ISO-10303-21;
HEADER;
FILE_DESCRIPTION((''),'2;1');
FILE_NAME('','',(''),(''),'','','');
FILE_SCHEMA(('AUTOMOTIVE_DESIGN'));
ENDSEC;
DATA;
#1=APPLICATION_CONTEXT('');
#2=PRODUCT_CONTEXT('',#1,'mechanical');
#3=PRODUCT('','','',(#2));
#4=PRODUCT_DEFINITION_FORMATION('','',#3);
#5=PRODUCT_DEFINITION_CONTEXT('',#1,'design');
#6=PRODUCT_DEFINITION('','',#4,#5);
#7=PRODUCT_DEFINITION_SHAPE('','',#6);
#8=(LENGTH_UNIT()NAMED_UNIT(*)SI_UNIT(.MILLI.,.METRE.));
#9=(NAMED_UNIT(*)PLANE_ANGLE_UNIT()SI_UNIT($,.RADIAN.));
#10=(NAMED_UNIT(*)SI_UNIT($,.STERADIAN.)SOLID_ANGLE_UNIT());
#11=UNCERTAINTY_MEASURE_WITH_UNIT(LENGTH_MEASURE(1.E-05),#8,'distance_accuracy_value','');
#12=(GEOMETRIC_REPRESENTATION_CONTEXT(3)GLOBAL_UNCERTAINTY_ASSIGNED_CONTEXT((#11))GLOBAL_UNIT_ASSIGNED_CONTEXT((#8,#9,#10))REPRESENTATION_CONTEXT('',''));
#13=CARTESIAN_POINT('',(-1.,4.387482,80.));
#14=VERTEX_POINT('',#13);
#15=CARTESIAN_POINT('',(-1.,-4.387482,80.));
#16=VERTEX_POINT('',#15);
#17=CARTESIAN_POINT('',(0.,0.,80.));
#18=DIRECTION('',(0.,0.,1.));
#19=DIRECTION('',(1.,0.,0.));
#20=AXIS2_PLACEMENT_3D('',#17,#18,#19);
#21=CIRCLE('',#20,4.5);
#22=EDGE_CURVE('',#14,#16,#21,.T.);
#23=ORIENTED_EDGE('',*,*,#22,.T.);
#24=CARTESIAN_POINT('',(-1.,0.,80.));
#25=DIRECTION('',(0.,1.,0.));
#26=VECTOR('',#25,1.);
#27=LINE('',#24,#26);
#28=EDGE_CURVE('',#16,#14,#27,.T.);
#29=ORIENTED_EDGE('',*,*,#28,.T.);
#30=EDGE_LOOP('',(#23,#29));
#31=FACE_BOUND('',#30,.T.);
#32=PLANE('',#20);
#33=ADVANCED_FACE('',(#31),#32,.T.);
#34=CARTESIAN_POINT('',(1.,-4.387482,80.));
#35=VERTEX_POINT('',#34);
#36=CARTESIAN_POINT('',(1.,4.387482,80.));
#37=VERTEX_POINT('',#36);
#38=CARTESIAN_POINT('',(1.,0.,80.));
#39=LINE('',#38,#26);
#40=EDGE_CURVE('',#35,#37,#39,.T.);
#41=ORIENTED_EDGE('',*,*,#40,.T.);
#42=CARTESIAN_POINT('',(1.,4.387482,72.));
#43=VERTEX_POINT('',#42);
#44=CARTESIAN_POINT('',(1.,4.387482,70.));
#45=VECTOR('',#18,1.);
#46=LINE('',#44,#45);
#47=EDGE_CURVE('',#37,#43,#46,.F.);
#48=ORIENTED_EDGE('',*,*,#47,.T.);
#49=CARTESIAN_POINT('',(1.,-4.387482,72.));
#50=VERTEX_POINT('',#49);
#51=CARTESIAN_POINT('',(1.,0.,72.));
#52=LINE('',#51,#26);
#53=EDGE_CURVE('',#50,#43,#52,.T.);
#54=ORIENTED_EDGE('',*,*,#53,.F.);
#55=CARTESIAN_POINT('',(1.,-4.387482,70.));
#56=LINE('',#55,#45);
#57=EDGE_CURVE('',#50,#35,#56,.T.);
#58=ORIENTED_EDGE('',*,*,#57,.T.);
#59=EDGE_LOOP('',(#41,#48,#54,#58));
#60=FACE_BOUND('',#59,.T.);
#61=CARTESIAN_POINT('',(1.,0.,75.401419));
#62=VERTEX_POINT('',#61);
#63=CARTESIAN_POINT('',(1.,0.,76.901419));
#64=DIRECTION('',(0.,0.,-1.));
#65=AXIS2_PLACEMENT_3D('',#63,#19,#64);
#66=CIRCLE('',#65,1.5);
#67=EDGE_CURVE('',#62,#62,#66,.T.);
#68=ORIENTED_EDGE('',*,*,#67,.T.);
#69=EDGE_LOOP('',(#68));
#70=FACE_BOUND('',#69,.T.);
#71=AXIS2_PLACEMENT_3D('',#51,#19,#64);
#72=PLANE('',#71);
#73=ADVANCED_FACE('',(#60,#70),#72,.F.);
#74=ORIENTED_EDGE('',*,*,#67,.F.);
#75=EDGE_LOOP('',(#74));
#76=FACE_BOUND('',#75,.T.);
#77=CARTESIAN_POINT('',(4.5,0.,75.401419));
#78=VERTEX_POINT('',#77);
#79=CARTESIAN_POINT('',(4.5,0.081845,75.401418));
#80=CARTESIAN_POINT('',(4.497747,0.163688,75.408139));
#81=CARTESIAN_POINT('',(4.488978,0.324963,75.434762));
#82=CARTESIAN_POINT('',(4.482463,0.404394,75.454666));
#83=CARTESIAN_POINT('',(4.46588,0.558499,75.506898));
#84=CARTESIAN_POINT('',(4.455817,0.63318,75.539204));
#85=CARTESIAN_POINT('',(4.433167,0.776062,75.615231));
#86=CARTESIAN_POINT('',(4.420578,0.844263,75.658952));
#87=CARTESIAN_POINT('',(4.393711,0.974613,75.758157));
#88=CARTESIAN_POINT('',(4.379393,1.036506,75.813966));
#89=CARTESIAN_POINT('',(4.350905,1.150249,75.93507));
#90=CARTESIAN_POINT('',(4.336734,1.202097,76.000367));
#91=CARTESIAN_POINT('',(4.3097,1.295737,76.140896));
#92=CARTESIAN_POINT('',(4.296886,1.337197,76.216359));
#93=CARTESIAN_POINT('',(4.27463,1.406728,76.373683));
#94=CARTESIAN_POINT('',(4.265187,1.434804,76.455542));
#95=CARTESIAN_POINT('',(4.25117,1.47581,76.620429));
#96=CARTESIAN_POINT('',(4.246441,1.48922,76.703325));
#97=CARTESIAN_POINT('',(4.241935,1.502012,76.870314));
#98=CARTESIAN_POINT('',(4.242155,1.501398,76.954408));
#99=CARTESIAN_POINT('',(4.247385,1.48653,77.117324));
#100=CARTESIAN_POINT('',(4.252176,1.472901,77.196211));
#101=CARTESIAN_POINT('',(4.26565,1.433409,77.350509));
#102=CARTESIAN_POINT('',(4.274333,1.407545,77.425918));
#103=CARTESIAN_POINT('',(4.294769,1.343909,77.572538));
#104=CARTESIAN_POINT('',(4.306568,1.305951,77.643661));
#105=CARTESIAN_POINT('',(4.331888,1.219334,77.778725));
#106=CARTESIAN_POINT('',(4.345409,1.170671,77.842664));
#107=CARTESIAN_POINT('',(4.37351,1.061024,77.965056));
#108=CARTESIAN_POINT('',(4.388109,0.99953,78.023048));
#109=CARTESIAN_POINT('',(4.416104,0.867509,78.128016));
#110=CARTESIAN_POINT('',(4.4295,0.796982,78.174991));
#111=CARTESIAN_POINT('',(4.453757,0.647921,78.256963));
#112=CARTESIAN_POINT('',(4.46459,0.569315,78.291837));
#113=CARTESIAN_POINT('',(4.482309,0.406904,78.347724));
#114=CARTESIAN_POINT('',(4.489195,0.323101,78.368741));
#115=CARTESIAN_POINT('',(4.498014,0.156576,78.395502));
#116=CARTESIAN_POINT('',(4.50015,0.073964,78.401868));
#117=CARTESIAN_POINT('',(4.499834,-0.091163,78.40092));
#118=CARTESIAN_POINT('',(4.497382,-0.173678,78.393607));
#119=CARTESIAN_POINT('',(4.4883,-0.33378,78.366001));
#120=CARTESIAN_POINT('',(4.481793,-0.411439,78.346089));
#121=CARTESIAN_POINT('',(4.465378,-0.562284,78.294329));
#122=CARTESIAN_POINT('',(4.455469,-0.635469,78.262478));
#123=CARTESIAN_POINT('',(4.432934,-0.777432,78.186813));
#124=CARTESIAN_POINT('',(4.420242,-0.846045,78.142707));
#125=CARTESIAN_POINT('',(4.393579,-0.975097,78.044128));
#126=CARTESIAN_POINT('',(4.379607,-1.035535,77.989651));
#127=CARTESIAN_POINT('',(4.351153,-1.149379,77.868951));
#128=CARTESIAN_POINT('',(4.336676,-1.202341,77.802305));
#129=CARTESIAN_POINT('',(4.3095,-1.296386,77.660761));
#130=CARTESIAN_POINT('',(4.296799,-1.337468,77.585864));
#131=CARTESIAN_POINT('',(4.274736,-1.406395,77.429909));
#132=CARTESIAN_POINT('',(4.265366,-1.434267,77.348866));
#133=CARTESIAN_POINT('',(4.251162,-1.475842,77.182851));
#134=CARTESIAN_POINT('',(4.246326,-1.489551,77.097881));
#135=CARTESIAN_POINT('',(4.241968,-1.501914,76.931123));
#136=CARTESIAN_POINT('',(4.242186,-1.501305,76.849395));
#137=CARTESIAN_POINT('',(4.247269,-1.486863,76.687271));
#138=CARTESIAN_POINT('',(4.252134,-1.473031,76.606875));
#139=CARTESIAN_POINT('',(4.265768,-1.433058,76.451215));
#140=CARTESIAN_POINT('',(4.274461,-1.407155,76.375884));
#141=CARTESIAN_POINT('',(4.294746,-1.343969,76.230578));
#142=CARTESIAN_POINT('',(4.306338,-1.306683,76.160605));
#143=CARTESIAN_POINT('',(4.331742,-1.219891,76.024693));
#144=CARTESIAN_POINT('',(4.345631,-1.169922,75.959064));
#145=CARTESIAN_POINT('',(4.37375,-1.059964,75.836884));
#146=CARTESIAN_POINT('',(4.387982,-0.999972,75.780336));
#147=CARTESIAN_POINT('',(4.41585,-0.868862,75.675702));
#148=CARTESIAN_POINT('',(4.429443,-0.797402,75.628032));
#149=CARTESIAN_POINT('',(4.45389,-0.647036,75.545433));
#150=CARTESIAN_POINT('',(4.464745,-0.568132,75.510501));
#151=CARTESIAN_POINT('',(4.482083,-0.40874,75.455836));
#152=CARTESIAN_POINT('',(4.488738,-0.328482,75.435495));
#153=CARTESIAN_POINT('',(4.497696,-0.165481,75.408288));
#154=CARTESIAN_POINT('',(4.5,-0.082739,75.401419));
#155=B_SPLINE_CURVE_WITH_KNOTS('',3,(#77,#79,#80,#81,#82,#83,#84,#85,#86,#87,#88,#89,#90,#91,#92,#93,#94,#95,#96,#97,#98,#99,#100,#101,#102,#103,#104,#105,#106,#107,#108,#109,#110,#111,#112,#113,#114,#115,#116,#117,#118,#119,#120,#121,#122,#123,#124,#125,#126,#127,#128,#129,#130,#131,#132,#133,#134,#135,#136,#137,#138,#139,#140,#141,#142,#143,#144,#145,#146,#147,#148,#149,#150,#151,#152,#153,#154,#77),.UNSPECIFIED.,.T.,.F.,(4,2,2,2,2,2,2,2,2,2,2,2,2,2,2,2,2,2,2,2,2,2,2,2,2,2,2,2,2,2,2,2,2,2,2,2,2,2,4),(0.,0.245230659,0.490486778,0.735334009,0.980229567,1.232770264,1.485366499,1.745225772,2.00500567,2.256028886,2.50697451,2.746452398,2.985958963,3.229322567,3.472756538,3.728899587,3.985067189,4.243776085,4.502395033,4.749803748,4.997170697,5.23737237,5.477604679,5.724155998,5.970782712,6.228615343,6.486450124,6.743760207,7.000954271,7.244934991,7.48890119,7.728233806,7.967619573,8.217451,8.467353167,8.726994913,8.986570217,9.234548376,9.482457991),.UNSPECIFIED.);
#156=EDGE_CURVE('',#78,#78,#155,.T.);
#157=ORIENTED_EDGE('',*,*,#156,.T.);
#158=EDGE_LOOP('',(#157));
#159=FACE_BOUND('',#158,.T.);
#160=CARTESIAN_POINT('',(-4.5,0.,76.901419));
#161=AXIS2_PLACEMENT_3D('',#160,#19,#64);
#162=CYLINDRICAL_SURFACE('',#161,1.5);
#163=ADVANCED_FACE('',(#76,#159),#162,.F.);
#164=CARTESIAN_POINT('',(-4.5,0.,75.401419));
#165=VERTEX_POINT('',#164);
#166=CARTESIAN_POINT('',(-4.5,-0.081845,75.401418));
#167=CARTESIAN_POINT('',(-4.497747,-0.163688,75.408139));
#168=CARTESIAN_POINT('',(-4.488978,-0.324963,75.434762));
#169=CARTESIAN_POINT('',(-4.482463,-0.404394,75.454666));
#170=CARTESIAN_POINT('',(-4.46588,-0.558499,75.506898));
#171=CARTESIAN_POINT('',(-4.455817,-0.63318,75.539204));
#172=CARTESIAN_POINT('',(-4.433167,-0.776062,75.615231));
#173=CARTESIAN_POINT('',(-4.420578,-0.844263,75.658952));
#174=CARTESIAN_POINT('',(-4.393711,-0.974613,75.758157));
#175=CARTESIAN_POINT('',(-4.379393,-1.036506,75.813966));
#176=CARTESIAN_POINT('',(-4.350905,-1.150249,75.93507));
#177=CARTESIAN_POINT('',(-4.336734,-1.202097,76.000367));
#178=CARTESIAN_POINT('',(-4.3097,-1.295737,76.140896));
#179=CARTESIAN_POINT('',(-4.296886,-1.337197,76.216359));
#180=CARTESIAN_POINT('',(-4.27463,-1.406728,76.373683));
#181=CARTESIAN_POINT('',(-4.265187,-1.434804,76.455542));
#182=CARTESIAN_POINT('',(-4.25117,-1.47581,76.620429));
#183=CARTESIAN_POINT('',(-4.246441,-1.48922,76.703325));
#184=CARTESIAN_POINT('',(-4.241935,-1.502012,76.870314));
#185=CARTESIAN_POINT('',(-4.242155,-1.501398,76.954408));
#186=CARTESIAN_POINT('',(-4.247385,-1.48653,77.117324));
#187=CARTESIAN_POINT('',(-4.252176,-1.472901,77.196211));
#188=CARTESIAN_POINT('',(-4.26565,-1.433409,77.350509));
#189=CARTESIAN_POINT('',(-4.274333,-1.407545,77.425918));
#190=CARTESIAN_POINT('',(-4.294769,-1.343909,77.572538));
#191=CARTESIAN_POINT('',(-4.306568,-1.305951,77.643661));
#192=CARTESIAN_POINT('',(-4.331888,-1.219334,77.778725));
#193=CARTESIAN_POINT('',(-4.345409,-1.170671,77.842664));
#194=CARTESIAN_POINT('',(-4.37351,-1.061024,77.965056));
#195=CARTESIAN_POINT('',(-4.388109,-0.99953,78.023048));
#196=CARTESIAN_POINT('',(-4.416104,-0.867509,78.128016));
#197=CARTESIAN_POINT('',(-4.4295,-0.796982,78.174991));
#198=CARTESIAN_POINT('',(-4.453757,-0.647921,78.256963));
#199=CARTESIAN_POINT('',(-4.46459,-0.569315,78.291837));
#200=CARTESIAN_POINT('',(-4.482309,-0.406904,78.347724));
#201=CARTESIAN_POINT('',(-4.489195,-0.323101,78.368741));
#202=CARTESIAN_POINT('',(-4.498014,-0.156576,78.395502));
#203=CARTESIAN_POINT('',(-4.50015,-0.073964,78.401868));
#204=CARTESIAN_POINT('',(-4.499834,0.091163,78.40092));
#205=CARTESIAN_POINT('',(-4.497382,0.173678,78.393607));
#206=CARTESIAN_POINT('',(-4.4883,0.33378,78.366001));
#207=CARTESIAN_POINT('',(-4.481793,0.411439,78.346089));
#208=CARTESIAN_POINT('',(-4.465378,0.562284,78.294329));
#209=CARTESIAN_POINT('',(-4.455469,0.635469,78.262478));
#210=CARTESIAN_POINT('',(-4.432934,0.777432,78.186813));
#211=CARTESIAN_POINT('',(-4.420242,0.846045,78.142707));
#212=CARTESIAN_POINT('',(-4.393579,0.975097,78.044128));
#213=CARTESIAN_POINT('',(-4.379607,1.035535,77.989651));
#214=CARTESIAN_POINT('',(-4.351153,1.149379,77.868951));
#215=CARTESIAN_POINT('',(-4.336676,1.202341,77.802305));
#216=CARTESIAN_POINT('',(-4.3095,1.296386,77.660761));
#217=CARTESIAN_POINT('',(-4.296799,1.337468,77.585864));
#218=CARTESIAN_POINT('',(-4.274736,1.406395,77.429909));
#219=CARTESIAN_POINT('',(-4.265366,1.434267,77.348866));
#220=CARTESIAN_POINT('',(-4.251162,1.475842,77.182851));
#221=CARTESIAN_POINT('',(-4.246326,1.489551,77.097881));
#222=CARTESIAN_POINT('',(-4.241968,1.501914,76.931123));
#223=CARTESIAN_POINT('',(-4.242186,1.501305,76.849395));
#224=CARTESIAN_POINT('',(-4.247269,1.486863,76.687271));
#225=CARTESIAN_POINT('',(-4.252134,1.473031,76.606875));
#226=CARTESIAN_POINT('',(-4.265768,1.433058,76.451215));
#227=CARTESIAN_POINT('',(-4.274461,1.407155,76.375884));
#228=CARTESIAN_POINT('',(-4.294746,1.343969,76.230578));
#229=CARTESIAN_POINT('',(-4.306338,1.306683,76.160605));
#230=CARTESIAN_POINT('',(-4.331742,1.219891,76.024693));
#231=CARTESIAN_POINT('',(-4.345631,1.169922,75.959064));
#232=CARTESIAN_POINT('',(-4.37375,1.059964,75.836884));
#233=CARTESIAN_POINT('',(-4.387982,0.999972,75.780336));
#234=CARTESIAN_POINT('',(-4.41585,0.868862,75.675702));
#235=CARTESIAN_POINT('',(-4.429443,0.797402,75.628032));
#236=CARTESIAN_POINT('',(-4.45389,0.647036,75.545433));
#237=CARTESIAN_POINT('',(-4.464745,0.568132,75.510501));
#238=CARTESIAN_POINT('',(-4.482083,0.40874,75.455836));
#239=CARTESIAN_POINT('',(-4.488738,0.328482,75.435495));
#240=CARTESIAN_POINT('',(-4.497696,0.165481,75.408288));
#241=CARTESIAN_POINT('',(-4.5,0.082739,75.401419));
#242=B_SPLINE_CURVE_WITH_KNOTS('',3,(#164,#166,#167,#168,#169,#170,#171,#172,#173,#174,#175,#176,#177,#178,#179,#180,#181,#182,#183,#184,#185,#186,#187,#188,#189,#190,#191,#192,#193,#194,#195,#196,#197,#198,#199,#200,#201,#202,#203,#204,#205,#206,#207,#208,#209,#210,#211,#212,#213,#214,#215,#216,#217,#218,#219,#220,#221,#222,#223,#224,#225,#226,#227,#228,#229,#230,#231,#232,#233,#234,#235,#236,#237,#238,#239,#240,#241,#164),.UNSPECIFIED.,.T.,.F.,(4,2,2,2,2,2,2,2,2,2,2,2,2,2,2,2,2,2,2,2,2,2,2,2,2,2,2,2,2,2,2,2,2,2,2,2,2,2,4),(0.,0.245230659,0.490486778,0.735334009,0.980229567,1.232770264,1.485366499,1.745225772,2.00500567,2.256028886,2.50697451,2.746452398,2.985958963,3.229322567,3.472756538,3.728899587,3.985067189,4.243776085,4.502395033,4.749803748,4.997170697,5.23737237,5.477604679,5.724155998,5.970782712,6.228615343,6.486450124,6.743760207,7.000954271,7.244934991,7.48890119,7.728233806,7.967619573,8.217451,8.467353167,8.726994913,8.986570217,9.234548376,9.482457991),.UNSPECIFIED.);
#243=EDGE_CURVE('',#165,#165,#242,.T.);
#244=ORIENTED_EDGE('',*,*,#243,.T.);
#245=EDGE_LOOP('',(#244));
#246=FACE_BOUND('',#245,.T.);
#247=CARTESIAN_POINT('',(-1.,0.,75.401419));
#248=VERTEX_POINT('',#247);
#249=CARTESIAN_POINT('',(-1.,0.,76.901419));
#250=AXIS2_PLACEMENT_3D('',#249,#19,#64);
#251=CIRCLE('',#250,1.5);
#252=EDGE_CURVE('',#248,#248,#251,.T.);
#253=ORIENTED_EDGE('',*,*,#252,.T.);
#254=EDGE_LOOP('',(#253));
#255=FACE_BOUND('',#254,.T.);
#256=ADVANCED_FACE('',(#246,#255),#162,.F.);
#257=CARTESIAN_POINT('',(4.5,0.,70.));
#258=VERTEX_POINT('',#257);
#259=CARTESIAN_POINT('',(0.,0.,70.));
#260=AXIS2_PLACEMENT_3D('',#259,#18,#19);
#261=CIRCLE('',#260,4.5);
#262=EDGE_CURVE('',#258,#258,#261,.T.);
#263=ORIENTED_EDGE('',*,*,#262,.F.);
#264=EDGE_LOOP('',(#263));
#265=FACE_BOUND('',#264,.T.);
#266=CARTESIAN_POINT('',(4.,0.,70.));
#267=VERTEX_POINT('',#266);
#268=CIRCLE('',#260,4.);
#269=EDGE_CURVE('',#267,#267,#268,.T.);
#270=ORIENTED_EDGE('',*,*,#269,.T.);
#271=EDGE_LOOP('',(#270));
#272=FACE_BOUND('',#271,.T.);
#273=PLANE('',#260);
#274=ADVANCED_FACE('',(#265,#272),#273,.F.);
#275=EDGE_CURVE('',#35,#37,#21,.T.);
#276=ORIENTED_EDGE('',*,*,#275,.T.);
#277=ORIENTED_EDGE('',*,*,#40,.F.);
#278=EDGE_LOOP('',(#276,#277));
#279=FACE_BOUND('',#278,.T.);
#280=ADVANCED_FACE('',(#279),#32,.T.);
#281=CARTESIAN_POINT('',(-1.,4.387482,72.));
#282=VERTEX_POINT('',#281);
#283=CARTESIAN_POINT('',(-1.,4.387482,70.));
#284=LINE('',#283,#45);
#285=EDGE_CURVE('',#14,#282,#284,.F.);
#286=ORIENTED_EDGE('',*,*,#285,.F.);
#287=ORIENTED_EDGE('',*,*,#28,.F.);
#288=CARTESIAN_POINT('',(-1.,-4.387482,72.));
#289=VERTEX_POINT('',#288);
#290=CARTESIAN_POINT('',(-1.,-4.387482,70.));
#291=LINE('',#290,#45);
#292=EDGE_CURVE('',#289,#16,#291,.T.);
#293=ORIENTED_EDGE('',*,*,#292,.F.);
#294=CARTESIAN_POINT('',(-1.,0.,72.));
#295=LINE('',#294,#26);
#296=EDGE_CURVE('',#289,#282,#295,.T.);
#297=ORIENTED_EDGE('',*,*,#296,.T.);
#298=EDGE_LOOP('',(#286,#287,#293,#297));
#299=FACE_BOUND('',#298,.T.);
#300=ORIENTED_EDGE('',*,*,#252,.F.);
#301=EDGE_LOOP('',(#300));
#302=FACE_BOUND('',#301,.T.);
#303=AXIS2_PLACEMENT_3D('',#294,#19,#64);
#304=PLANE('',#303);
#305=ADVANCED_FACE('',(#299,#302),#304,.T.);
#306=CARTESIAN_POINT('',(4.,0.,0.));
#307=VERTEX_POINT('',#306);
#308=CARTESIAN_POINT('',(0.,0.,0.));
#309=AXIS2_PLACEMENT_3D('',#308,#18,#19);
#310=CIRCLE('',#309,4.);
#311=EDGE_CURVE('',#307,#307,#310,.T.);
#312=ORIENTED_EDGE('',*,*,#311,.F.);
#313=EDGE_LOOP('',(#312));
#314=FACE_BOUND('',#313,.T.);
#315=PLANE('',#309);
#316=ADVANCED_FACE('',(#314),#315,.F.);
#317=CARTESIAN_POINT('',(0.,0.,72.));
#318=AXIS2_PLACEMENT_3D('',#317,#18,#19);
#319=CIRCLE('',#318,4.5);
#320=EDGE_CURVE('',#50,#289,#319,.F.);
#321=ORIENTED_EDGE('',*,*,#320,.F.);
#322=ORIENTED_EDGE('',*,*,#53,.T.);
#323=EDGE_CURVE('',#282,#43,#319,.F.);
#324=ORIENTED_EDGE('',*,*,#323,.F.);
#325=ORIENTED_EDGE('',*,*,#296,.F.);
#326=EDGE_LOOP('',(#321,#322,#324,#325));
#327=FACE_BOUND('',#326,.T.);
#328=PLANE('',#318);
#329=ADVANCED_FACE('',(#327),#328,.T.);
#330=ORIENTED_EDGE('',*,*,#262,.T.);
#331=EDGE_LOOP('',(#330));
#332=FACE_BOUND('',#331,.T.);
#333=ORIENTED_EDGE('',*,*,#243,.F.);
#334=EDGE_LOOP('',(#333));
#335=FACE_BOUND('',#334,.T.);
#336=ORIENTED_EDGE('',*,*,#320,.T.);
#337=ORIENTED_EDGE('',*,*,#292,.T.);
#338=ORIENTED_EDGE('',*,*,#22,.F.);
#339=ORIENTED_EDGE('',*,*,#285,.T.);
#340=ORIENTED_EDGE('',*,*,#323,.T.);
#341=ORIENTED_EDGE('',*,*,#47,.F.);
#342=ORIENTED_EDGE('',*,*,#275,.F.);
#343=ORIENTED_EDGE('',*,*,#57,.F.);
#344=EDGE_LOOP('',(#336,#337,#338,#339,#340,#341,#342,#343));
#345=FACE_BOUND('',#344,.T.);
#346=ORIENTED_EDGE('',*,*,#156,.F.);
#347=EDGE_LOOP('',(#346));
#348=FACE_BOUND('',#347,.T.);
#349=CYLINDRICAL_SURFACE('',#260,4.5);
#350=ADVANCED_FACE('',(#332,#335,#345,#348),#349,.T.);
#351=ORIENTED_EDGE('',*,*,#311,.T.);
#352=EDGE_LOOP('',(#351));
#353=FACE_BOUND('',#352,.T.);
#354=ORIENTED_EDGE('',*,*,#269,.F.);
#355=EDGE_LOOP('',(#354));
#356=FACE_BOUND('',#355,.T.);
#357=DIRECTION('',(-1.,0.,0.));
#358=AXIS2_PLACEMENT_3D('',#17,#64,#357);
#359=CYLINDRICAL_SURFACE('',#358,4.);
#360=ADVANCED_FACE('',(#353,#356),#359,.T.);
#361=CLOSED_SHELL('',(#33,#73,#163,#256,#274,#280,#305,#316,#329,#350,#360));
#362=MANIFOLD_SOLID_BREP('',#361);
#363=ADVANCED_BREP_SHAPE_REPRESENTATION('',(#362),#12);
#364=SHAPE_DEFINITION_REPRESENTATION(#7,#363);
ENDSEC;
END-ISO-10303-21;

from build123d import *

# Parameters (mm, degrees)
SKETCH1_R               = 4
BOSS_EXTRUDE1_DEPTH     = 80
SKETCH2_R               = 4.5
BOSS_EXTRUDE2_DEPTH     = 10
SKETCH2_3_W             = 2
SKETCH2_3_H             = 11.355365006
CUT_EXTRUDE2_DEPTH      = 8
CUT_EXTRUDE3_DEPTH      = 81.25272581
CUT_EXTRUDE3_DEPTH_BACK = 81.25272581
SKETCH3_R               = 1.5


with BuildPart() as part:
    # Sketch1 → Boss-Extrude1 (new body)
    with BuildSketch(Plane.XY):
        Circle(SKETCH1_R)
    extrude(amount=BOSS_EXTRUDE1_DEPTH)

    # Sketch2 → Boss-Extrude2 (add)
    with BuildSketch(Plane.XY.offset(80)):
        Circle(SKETCH2_R)
    extrude(amount=-BOSS_EXTRUDE2_DEPTH)

    # Sketch2<3> → Cut-Extrude2 (cut)
    with BuildSketch(Plane.XY.offset(80)):
        Rectangle(SKETCH2_3_W, SKETCH2_3_H)
    extrude(amount=-CUT_EXTRUDE2_DEPTH, mode=Mode.SUBTRACT)

    # Sketch3 → Cut-Extrude3 (cut, two sides: drawn at the far end of the back side and taken through both)
    with BuildSketch(Plane(origin=(0, 0, 0), x_dir=(0, 0, -1), z_dir=(1, 0, 0)).offset(-CUT_EXTRUDE3_DEPTH_BACK)):
        with Locations((-76.901418772, 0)):
            Circle(SKETCH3_R)
    extrude(amount=CUT_EXTRUDE3_DEPTH + CUT_EXTRUDE3_DEPTH_BACK, mode=Mode.SUBTRACT)


solid = part.part
